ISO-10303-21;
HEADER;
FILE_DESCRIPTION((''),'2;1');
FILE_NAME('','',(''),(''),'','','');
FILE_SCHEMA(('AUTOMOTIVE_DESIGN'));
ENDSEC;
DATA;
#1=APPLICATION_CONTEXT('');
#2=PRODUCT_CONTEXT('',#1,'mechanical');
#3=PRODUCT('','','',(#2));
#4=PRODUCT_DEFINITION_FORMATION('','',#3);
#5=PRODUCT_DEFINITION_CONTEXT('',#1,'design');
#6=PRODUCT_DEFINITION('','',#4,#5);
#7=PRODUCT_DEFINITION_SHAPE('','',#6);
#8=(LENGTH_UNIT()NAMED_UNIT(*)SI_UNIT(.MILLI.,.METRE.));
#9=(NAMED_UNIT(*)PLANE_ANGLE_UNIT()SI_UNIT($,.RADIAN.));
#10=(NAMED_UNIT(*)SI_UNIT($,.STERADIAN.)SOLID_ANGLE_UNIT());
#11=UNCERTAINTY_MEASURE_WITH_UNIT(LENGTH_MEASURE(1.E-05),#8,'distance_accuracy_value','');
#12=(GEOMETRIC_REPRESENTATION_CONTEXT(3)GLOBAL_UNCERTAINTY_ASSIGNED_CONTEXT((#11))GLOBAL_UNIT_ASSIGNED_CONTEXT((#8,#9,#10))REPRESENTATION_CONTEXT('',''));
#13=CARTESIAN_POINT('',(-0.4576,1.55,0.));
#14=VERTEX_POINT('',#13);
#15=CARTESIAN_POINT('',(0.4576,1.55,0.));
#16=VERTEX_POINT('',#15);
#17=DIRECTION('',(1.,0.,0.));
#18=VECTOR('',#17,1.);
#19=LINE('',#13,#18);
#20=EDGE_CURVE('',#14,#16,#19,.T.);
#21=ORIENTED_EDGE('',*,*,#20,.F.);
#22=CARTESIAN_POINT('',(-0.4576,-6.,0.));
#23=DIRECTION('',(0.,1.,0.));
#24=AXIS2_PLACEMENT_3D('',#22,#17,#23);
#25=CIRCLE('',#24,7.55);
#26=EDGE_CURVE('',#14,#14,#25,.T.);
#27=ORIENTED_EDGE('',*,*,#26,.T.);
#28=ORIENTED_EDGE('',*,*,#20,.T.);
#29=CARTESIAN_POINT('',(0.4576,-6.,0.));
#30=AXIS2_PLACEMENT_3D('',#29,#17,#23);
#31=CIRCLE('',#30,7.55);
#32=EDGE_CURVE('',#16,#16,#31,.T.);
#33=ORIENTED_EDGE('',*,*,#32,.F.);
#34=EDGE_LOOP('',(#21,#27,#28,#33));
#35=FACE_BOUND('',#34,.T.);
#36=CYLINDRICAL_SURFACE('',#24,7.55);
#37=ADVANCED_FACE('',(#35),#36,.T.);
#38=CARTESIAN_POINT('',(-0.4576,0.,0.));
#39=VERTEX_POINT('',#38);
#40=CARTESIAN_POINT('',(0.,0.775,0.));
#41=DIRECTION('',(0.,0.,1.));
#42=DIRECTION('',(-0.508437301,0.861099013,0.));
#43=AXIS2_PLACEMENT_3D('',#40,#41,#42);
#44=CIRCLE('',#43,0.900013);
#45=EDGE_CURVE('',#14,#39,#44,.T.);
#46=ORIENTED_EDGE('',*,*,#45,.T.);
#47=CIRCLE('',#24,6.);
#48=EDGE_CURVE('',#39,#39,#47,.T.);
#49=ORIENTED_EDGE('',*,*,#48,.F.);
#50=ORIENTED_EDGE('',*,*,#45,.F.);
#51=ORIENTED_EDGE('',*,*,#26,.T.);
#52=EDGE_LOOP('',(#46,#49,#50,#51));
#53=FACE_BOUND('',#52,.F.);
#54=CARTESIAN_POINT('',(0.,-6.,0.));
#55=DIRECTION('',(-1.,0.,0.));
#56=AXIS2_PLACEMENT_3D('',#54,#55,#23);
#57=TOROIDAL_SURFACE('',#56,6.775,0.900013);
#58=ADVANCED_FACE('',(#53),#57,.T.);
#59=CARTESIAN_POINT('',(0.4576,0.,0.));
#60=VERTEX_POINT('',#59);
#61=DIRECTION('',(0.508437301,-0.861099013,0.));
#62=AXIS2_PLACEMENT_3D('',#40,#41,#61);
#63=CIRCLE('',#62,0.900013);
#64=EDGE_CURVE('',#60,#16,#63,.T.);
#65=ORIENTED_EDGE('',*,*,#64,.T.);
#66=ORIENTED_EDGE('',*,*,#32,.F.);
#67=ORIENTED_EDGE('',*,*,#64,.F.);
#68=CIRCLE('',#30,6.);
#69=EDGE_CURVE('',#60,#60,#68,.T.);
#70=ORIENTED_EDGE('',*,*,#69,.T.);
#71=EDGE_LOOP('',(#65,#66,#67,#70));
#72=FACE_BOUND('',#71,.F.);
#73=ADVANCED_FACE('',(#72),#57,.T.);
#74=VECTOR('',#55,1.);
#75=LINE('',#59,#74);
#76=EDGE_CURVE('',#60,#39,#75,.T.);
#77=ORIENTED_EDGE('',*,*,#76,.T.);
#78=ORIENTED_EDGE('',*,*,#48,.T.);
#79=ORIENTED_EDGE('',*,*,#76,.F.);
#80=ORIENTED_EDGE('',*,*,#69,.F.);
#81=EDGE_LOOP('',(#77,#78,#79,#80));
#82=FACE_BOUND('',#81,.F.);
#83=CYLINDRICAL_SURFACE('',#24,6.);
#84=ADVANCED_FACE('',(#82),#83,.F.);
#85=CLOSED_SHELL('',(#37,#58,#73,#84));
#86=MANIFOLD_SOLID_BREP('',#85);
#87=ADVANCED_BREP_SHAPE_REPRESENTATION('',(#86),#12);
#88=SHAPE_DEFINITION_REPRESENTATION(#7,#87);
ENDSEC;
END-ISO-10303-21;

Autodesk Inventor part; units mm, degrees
ref_plane "YZ Plane" through (0, 0, 0) normal (1, 0, 0) x (0, 1, 0)
ref_plane "XZ Plane" through (0, 0, 0) normal (0, 1, 0) x (-1, 0, 0)
ref_plane "XY Plane" through (0, 0, 0) normal (0, 0, 1) x (1, 0, 0)
sketch "Sketch1" plane through (0, 0, 0) normal (0, 0, 1) x (1, 0, 0)
  line L0 (-0.0113, 0) -> (-0.0113, 0) construction
  line L1 (-0.4576, 1.55) -> (0.4576, 1.55)
  line L2 (-0.4576, 0) -> (0.4576, 0)
  arc A0 (-0.4576, 1.55) -> (-0.4576, 0) centre (0, 0.775) ccw
  line L3 (-4, -6) -> (6.0335, -6)
  line L4 (-6.0067, 0) -> (8.0403, 0) projected
  line L5 (0, 4.64) -> (0, -12.44) projected
  arc A1 (0.4576, 0) -> (0.4576, 1.55) centre (0, 0.775) ccw
  dimension "d0" = 12
  dimension "d1" = 0.775
  dimension "d2" = 0.9
  dimension "d3" = 0.775
  dimension "d4" = 1.55
revolve "Body" add sketch "Sketch1" angle 360 about axis through (-4, -6, 0) along (1, 0, 0)
equation "\"d0\" = NND"
equation "\"d1\" = -0.25 * NND + 0.25 * NDOR"
equation "\"d2\" = 0.5 * QDM"
equation "\"d3\" = -0.25 * NND + 0.25 * NDOR"
equation "\"d4\" = -0.5 * NND + 0.5 * NDOR"
equation "\"QDM\" = 1.8"
equation "\"NND\" = 12"
equation "\"NDOR\" = 15.1"
equation "\"R1\" = 0.3"
equation "\"R2\" = 0.2"
equation "\"SD1\" = 11.8"
equation "\"NB1\" = 2.2"
equation "\"BD\" = 12.12"
equation "\"NTOR\" = -0.5 * NND + 0.5 * NDOR"
properties part number "ISO 3601-1 - A 0118 G" material "Rubber"
